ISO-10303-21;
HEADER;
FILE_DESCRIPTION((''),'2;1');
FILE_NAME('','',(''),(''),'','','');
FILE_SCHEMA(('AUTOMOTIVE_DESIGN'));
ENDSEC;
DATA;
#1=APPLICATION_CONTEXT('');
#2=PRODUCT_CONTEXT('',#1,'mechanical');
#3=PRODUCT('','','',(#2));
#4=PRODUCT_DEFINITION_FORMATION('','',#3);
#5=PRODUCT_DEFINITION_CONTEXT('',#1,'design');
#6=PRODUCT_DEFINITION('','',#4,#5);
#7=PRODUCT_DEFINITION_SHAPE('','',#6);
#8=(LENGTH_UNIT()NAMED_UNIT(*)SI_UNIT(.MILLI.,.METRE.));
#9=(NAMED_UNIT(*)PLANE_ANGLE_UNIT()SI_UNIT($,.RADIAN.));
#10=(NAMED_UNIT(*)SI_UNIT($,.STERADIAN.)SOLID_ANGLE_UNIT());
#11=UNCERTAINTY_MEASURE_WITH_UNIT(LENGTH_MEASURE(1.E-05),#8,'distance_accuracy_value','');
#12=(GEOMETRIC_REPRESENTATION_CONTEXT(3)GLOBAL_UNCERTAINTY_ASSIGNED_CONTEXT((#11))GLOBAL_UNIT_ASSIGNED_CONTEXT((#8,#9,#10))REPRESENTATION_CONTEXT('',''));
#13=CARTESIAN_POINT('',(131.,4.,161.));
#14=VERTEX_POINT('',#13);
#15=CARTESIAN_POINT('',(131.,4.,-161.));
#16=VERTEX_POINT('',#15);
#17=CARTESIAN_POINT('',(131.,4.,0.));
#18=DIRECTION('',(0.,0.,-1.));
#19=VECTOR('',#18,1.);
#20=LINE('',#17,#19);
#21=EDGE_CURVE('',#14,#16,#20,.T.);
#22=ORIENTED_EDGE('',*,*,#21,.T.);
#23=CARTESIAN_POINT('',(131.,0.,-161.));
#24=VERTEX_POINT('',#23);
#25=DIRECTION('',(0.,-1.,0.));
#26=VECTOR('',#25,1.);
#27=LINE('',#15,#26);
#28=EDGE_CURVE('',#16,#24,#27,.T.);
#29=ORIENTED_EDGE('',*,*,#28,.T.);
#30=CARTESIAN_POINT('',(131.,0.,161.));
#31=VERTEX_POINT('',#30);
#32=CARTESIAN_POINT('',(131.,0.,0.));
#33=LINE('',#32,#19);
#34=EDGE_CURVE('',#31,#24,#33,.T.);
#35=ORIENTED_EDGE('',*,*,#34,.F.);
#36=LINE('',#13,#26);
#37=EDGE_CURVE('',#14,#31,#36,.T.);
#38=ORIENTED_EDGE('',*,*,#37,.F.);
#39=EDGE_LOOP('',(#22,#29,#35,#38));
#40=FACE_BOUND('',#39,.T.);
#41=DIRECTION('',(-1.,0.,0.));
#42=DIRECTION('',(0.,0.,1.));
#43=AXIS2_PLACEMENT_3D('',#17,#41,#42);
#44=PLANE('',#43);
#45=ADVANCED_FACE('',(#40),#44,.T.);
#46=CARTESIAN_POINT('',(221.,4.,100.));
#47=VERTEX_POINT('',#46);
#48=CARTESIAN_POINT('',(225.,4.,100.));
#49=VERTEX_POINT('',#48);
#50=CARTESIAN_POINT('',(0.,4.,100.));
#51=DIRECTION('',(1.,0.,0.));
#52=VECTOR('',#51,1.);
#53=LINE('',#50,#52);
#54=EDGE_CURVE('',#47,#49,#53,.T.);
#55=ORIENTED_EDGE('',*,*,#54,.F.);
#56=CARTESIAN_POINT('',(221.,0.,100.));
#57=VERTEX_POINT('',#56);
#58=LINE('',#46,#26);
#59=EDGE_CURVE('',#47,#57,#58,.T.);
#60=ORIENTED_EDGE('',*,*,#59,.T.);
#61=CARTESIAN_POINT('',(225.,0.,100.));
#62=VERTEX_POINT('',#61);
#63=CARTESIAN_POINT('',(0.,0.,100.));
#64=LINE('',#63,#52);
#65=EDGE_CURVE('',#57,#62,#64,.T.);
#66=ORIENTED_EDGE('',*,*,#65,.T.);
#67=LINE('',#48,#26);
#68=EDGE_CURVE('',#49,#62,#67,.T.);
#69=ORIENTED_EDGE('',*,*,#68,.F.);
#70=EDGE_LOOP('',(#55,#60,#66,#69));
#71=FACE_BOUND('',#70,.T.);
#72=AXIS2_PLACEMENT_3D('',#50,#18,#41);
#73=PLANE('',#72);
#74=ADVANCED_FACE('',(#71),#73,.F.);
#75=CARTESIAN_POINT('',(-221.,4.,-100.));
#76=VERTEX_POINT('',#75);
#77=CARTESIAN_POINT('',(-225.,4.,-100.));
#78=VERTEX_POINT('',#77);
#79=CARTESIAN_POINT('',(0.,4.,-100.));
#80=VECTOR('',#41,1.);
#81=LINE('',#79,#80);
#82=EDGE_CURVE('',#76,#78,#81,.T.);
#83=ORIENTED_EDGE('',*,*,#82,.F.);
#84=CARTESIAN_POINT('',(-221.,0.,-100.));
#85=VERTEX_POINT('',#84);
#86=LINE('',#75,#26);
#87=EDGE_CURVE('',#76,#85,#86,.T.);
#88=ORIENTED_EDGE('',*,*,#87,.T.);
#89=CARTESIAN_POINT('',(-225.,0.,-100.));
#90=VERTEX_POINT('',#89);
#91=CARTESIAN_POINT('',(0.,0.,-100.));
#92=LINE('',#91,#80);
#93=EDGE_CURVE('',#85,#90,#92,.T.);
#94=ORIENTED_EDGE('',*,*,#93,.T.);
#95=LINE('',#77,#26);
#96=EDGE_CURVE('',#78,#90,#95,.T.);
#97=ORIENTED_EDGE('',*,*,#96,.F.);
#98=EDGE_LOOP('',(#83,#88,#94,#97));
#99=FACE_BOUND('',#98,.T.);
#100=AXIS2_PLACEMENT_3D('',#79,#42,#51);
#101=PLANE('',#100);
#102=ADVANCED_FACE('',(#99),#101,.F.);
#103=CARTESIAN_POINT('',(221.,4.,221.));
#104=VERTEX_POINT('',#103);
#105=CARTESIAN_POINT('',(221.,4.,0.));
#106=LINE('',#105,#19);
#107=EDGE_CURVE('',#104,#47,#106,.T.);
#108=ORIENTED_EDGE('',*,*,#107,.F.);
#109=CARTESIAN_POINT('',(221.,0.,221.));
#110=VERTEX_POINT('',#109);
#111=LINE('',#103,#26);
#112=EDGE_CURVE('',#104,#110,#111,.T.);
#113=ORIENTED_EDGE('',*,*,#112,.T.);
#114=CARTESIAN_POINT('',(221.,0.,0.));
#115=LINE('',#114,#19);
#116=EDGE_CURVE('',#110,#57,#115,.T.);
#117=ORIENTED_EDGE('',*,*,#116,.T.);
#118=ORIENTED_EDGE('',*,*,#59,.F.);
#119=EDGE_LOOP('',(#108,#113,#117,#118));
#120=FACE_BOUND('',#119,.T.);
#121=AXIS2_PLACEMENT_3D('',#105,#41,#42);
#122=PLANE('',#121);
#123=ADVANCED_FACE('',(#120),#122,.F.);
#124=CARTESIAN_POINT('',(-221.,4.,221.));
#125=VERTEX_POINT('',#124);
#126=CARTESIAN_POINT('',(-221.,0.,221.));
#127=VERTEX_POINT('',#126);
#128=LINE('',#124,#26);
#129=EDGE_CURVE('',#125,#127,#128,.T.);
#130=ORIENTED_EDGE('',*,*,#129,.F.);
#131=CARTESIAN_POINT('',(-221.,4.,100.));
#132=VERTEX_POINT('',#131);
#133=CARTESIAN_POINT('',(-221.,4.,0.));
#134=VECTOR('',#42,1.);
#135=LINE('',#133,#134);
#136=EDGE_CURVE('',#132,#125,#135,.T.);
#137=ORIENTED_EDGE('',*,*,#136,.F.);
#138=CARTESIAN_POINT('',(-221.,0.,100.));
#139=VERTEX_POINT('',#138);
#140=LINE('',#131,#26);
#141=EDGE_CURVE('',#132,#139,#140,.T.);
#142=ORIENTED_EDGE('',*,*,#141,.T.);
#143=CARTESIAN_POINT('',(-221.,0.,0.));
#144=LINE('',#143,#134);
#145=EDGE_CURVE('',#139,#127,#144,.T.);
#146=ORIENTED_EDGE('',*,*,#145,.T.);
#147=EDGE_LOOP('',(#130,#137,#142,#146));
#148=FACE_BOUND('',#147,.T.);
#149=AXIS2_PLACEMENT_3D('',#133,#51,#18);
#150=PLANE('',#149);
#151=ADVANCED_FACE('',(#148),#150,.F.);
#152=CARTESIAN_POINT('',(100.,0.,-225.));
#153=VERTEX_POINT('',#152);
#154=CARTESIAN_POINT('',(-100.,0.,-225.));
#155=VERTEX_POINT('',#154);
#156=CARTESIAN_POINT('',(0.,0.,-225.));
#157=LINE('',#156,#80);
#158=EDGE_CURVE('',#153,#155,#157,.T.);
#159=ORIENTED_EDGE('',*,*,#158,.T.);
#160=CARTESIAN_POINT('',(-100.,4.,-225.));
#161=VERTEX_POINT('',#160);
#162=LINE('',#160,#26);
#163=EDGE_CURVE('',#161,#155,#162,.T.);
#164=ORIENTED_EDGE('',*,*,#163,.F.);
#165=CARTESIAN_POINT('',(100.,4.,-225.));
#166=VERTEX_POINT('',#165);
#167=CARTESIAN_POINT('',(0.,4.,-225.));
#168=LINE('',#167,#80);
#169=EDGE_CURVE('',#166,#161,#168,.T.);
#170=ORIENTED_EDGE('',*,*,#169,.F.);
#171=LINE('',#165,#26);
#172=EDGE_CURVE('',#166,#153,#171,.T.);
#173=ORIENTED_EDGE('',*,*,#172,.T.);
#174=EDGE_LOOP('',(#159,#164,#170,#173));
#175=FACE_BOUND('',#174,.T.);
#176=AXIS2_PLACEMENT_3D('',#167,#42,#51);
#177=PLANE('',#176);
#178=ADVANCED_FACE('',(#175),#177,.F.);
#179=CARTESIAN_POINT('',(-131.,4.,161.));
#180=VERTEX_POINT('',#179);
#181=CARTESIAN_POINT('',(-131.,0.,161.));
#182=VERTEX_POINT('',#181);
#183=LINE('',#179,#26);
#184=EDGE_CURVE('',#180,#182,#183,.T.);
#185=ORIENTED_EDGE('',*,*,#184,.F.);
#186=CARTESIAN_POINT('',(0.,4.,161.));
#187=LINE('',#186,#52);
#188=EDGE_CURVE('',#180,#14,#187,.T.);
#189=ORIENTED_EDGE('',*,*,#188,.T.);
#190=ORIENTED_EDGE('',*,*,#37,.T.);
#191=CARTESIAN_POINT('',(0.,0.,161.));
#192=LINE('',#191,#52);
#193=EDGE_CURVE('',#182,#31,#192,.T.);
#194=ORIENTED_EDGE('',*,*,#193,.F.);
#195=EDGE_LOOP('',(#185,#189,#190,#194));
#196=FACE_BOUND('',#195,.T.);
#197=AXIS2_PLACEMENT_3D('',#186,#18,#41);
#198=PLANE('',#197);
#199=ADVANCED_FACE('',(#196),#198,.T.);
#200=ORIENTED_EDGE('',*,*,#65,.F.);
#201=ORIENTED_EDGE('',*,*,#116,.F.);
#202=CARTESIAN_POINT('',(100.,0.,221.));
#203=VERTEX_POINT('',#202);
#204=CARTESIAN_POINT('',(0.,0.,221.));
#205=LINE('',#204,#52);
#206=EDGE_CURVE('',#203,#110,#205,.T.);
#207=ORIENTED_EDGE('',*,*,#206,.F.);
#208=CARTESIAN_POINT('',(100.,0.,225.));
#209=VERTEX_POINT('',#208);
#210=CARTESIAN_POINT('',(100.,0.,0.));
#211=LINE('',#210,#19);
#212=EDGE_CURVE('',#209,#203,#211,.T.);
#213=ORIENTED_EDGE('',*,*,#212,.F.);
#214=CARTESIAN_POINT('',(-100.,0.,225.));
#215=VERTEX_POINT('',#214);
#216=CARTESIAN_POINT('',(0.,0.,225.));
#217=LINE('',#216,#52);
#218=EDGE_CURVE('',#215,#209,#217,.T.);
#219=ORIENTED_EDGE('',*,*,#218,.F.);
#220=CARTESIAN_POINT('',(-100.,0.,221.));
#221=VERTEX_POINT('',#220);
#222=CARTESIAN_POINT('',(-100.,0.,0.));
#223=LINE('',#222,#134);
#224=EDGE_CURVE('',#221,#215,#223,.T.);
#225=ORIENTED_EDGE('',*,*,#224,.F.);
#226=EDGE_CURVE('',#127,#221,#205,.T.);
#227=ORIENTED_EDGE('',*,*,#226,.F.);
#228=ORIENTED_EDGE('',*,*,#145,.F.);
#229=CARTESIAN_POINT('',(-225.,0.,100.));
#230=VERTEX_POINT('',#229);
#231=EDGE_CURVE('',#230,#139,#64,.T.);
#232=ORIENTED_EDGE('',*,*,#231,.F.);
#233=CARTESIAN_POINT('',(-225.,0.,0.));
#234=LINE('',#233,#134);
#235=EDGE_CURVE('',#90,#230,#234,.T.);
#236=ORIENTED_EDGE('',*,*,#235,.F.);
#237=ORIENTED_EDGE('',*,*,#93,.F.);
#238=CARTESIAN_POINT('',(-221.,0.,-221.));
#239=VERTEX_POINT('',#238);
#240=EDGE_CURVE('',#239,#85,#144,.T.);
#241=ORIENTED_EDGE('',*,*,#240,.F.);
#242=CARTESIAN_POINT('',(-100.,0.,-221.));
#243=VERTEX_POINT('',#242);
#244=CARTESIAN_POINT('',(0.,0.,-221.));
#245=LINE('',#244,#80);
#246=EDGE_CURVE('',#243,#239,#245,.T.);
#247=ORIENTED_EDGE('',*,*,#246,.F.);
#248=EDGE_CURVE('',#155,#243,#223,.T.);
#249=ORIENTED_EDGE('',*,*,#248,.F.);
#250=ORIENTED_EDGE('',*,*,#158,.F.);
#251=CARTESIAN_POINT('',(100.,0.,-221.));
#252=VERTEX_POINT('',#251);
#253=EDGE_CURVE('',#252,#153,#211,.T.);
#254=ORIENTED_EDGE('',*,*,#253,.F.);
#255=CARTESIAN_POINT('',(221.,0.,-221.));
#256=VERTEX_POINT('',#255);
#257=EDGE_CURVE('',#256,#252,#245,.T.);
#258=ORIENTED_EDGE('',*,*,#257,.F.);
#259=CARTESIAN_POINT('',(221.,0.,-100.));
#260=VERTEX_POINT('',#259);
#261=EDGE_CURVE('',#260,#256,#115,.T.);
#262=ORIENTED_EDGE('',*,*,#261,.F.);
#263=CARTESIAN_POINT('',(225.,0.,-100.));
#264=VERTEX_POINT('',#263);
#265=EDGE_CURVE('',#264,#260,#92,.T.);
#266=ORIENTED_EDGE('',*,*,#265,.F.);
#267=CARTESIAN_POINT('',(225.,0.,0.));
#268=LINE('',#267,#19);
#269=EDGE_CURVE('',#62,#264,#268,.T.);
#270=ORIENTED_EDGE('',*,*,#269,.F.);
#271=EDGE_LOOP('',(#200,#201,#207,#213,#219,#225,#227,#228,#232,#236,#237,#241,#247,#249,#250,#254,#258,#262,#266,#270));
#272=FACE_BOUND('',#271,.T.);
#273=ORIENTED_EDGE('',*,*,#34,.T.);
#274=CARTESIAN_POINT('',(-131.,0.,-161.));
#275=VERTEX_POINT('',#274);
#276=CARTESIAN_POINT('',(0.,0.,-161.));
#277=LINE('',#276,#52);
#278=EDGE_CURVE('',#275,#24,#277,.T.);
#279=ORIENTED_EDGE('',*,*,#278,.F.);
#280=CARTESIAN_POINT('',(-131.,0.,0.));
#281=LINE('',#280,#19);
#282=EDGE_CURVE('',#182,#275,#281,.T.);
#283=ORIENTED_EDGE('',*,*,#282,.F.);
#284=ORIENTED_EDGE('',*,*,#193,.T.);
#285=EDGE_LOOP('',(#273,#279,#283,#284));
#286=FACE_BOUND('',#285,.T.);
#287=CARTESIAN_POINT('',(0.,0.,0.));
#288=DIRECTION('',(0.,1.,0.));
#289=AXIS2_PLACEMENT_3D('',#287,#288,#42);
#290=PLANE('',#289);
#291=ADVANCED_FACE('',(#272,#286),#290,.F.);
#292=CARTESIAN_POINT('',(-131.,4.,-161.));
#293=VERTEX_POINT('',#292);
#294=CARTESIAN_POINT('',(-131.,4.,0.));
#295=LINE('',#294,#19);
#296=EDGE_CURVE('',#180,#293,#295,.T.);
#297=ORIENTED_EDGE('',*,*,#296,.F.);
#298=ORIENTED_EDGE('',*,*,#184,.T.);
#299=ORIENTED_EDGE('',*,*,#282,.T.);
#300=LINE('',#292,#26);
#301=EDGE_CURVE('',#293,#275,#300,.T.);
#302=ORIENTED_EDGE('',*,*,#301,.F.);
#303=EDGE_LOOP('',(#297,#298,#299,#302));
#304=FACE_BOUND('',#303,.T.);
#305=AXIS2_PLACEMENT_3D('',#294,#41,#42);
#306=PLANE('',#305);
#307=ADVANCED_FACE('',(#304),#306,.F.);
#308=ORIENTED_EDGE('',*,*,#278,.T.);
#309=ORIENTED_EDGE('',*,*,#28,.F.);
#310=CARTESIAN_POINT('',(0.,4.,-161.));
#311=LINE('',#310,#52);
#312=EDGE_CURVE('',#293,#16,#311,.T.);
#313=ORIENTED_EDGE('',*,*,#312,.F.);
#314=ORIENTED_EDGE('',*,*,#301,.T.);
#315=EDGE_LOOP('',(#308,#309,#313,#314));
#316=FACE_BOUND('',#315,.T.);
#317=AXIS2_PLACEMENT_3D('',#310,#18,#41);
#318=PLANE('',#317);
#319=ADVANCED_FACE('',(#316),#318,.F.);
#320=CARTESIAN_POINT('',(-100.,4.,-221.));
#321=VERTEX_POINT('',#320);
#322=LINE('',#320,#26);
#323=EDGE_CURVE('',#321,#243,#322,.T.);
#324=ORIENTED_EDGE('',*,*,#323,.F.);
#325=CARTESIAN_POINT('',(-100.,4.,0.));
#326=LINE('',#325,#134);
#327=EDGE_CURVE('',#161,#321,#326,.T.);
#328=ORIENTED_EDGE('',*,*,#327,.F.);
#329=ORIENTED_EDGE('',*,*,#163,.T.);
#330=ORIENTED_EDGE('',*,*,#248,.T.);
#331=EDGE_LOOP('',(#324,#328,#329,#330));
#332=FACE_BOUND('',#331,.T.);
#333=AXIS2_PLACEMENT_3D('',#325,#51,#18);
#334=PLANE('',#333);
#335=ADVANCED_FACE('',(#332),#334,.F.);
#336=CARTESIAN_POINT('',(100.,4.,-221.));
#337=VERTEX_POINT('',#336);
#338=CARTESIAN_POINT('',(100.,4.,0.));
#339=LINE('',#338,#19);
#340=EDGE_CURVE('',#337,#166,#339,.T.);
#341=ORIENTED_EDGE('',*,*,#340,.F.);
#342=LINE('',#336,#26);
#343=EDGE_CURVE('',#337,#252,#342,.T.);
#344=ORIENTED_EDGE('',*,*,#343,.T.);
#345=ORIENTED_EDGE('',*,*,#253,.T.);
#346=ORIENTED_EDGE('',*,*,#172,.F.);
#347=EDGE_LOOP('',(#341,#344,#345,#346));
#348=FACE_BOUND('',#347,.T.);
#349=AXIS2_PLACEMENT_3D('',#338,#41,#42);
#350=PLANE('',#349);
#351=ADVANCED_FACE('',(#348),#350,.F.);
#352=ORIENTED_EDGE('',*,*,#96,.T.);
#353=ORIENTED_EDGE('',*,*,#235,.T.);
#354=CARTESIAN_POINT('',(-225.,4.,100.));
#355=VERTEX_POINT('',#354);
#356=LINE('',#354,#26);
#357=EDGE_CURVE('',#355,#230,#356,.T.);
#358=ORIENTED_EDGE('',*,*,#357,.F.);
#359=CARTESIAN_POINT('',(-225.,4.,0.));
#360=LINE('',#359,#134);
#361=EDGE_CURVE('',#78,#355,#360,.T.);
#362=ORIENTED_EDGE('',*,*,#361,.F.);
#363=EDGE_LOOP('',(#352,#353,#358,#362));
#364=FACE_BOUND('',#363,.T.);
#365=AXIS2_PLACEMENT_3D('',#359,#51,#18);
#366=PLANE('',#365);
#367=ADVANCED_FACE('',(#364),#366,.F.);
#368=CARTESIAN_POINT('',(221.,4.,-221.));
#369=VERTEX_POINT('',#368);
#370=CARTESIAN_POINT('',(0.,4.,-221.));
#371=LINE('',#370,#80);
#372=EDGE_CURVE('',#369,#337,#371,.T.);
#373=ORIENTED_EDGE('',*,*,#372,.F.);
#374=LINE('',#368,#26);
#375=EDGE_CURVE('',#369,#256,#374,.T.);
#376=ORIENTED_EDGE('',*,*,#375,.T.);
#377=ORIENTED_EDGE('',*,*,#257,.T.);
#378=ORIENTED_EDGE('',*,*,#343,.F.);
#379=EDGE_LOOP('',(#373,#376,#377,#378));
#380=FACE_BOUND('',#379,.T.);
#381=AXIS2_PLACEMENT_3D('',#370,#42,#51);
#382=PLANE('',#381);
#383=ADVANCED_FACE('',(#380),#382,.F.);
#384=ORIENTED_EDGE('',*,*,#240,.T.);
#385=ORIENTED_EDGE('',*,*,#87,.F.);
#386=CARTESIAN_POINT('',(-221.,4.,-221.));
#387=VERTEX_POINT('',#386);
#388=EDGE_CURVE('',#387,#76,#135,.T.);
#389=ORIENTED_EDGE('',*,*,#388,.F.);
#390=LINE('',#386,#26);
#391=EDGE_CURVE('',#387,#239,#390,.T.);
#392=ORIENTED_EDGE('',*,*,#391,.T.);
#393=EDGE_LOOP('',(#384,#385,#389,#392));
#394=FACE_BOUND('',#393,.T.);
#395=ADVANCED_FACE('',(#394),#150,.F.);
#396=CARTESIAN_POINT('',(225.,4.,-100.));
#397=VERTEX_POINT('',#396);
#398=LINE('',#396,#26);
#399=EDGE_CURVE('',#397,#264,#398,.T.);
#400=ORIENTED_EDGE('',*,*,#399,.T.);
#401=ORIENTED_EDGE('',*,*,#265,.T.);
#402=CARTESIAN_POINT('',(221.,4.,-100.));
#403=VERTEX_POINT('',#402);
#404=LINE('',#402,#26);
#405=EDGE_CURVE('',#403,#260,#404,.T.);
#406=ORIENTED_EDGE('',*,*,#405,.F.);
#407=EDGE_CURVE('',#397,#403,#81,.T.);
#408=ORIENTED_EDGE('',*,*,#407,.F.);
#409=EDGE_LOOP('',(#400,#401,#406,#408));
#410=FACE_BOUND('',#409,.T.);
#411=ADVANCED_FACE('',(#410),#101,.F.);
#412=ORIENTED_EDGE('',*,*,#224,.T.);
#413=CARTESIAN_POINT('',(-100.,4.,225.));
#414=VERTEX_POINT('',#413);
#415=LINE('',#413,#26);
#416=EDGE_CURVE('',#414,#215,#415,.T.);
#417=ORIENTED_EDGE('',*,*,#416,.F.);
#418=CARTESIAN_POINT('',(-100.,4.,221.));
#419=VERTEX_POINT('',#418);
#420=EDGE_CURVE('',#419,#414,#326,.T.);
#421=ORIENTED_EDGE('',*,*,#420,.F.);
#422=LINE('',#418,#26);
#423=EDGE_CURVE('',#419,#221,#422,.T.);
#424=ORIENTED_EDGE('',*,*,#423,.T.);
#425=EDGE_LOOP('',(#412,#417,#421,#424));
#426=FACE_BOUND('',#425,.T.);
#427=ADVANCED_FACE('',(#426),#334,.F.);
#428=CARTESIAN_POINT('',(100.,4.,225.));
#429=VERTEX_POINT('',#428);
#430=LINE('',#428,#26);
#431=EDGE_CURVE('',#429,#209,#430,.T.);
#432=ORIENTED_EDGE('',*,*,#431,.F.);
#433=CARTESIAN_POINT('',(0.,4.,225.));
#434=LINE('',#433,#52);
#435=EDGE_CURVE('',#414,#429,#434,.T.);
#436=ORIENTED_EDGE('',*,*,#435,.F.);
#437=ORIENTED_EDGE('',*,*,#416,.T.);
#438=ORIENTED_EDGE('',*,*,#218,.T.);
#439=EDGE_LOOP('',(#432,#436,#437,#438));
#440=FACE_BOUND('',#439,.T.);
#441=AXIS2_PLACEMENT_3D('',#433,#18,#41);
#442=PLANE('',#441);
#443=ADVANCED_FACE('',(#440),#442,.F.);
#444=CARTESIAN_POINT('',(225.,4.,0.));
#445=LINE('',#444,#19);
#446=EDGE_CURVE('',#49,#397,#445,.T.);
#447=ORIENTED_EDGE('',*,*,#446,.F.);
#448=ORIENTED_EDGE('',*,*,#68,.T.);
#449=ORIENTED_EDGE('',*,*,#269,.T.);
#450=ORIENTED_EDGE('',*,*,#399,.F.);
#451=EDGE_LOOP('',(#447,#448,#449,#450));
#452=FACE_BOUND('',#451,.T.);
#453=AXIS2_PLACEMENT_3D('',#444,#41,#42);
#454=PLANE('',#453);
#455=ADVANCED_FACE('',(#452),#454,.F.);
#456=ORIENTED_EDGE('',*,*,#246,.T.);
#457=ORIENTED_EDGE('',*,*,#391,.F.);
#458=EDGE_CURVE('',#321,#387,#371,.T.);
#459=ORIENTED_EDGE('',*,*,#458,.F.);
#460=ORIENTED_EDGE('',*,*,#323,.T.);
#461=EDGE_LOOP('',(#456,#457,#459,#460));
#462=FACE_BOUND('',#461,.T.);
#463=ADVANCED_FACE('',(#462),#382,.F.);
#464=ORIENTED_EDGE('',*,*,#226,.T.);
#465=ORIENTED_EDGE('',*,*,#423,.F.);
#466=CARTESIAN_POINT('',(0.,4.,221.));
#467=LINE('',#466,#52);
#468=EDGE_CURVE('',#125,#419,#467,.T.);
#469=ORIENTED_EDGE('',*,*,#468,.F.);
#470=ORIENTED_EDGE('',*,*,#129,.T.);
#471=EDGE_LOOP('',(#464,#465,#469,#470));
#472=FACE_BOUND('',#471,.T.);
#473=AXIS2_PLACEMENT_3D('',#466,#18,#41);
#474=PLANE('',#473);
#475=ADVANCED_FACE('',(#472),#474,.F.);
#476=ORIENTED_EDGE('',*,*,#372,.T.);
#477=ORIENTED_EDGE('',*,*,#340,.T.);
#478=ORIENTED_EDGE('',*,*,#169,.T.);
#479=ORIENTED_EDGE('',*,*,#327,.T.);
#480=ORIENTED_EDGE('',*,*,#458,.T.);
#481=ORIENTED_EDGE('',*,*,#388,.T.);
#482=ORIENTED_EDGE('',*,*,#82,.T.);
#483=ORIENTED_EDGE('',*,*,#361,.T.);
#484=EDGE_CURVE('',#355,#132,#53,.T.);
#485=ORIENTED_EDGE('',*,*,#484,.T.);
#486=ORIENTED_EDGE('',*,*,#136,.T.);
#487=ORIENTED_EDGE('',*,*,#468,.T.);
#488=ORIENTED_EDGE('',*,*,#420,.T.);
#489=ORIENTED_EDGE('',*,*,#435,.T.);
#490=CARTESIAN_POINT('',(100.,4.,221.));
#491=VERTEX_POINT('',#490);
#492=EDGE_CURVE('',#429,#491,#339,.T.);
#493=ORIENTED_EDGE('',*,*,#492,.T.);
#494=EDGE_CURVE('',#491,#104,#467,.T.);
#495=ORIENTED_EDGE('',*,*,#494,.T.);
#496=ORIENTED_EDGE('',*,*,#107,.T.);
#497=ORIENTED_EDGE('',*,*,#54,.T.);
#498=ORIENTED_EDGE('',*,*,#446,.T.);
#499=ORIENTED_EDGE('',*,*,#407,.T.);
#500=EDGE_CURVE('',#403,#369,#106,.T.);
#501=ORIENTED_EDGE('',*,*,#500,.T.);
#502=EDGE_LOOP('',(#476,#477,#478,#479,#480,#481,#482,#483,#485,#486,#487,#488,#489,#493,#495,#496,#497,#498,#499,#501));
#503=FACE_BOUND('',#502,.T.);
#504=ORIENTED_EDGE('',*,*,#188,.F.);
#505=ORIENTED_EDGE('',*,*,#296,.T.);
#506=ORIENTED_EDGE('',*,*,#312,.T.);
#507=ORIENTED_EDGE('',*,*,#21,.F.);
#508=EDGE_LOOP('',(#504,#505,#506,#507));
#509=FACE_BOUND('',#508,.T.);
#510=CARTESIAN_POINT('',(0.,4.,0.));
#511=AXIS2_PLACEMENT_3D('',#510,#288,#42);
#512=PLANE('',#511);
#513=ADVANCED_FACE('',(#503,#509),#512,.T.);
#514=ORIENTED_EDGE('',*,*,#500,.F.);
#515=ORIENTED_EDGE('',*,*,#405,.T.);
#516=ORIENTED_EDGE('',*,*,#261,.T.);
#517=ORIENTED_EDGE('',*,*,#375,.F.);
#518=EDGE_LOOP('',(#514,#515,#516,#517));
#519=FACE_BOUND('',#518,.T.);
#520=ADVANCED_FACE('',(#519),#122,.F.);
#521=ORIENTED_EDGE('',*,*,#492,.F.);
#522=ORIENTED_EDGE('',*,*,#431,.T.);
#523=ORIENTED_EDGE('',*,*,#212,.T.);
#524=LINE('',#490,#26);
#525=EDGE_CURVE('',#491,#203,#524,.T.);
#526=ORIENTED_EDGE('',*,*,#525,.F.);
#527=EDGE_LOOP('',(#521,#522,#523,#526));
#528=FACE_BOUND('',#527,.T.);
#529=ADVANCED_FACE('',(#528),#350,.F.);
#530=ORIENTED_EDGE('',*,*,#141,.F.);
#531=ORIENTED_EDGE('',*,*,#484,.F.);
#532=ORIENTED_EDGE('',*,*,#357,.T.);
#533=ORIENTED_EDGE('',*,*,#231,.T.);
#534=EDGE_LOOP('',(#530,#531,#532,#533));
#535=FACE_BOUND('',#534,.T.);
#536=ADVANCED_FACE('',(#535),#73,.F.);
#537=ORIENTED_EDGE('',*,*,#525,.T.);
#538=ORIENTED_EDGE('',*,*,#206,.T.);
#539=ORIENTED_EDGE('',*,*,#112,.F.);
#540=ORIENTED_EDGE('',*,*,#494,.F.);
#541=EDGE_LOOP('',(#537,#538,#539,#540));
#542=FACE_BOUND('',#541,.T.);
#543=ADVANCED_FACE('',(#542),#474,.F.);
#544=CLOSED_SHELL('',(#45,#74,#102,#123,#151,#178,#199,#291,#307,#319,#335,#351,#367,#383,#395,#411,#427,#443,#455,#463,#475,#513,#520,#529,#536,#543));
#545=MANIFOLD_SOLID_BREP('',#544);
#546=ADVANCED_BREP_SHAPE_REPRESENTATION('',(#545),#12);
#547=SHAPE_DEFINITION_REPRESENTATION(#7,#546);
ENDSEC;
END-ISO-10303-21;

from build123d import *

# Parameters (mm, degrees)
SKETCH1_W           = 262
SKETCH1_H           = 322
BOSS_EXTRUDE1_DEPTH = 4


with BuildPart() as part:
    # Sketch1 → Boss-Extrude1 (new body)
    with BuildSketch(Plane(origin=(0, 0, 0), x_dir=(1, 0, 0), z_dir=(0, 1, 0))):
        Polygon((-221, 100), (-225, 100), (-225, -100), (-221, -100), (-221, -221), (-100, -221), (-100, -225), (100, -225), (100, -221), (221, -221), (221, -100), (225, -100), (225, 100), (221, 100), (221, 221), (100, 221), (100, 225), (-100, 225), (-100, 221), (-221, 221), align=None)
        Rectangle(SKETCH1_W, SKETCH1_H, mode=Mode.SUBTRACT)
    extrude(amount=BOSS_EXTRUDE1_DEPTH)


solid = part.part
